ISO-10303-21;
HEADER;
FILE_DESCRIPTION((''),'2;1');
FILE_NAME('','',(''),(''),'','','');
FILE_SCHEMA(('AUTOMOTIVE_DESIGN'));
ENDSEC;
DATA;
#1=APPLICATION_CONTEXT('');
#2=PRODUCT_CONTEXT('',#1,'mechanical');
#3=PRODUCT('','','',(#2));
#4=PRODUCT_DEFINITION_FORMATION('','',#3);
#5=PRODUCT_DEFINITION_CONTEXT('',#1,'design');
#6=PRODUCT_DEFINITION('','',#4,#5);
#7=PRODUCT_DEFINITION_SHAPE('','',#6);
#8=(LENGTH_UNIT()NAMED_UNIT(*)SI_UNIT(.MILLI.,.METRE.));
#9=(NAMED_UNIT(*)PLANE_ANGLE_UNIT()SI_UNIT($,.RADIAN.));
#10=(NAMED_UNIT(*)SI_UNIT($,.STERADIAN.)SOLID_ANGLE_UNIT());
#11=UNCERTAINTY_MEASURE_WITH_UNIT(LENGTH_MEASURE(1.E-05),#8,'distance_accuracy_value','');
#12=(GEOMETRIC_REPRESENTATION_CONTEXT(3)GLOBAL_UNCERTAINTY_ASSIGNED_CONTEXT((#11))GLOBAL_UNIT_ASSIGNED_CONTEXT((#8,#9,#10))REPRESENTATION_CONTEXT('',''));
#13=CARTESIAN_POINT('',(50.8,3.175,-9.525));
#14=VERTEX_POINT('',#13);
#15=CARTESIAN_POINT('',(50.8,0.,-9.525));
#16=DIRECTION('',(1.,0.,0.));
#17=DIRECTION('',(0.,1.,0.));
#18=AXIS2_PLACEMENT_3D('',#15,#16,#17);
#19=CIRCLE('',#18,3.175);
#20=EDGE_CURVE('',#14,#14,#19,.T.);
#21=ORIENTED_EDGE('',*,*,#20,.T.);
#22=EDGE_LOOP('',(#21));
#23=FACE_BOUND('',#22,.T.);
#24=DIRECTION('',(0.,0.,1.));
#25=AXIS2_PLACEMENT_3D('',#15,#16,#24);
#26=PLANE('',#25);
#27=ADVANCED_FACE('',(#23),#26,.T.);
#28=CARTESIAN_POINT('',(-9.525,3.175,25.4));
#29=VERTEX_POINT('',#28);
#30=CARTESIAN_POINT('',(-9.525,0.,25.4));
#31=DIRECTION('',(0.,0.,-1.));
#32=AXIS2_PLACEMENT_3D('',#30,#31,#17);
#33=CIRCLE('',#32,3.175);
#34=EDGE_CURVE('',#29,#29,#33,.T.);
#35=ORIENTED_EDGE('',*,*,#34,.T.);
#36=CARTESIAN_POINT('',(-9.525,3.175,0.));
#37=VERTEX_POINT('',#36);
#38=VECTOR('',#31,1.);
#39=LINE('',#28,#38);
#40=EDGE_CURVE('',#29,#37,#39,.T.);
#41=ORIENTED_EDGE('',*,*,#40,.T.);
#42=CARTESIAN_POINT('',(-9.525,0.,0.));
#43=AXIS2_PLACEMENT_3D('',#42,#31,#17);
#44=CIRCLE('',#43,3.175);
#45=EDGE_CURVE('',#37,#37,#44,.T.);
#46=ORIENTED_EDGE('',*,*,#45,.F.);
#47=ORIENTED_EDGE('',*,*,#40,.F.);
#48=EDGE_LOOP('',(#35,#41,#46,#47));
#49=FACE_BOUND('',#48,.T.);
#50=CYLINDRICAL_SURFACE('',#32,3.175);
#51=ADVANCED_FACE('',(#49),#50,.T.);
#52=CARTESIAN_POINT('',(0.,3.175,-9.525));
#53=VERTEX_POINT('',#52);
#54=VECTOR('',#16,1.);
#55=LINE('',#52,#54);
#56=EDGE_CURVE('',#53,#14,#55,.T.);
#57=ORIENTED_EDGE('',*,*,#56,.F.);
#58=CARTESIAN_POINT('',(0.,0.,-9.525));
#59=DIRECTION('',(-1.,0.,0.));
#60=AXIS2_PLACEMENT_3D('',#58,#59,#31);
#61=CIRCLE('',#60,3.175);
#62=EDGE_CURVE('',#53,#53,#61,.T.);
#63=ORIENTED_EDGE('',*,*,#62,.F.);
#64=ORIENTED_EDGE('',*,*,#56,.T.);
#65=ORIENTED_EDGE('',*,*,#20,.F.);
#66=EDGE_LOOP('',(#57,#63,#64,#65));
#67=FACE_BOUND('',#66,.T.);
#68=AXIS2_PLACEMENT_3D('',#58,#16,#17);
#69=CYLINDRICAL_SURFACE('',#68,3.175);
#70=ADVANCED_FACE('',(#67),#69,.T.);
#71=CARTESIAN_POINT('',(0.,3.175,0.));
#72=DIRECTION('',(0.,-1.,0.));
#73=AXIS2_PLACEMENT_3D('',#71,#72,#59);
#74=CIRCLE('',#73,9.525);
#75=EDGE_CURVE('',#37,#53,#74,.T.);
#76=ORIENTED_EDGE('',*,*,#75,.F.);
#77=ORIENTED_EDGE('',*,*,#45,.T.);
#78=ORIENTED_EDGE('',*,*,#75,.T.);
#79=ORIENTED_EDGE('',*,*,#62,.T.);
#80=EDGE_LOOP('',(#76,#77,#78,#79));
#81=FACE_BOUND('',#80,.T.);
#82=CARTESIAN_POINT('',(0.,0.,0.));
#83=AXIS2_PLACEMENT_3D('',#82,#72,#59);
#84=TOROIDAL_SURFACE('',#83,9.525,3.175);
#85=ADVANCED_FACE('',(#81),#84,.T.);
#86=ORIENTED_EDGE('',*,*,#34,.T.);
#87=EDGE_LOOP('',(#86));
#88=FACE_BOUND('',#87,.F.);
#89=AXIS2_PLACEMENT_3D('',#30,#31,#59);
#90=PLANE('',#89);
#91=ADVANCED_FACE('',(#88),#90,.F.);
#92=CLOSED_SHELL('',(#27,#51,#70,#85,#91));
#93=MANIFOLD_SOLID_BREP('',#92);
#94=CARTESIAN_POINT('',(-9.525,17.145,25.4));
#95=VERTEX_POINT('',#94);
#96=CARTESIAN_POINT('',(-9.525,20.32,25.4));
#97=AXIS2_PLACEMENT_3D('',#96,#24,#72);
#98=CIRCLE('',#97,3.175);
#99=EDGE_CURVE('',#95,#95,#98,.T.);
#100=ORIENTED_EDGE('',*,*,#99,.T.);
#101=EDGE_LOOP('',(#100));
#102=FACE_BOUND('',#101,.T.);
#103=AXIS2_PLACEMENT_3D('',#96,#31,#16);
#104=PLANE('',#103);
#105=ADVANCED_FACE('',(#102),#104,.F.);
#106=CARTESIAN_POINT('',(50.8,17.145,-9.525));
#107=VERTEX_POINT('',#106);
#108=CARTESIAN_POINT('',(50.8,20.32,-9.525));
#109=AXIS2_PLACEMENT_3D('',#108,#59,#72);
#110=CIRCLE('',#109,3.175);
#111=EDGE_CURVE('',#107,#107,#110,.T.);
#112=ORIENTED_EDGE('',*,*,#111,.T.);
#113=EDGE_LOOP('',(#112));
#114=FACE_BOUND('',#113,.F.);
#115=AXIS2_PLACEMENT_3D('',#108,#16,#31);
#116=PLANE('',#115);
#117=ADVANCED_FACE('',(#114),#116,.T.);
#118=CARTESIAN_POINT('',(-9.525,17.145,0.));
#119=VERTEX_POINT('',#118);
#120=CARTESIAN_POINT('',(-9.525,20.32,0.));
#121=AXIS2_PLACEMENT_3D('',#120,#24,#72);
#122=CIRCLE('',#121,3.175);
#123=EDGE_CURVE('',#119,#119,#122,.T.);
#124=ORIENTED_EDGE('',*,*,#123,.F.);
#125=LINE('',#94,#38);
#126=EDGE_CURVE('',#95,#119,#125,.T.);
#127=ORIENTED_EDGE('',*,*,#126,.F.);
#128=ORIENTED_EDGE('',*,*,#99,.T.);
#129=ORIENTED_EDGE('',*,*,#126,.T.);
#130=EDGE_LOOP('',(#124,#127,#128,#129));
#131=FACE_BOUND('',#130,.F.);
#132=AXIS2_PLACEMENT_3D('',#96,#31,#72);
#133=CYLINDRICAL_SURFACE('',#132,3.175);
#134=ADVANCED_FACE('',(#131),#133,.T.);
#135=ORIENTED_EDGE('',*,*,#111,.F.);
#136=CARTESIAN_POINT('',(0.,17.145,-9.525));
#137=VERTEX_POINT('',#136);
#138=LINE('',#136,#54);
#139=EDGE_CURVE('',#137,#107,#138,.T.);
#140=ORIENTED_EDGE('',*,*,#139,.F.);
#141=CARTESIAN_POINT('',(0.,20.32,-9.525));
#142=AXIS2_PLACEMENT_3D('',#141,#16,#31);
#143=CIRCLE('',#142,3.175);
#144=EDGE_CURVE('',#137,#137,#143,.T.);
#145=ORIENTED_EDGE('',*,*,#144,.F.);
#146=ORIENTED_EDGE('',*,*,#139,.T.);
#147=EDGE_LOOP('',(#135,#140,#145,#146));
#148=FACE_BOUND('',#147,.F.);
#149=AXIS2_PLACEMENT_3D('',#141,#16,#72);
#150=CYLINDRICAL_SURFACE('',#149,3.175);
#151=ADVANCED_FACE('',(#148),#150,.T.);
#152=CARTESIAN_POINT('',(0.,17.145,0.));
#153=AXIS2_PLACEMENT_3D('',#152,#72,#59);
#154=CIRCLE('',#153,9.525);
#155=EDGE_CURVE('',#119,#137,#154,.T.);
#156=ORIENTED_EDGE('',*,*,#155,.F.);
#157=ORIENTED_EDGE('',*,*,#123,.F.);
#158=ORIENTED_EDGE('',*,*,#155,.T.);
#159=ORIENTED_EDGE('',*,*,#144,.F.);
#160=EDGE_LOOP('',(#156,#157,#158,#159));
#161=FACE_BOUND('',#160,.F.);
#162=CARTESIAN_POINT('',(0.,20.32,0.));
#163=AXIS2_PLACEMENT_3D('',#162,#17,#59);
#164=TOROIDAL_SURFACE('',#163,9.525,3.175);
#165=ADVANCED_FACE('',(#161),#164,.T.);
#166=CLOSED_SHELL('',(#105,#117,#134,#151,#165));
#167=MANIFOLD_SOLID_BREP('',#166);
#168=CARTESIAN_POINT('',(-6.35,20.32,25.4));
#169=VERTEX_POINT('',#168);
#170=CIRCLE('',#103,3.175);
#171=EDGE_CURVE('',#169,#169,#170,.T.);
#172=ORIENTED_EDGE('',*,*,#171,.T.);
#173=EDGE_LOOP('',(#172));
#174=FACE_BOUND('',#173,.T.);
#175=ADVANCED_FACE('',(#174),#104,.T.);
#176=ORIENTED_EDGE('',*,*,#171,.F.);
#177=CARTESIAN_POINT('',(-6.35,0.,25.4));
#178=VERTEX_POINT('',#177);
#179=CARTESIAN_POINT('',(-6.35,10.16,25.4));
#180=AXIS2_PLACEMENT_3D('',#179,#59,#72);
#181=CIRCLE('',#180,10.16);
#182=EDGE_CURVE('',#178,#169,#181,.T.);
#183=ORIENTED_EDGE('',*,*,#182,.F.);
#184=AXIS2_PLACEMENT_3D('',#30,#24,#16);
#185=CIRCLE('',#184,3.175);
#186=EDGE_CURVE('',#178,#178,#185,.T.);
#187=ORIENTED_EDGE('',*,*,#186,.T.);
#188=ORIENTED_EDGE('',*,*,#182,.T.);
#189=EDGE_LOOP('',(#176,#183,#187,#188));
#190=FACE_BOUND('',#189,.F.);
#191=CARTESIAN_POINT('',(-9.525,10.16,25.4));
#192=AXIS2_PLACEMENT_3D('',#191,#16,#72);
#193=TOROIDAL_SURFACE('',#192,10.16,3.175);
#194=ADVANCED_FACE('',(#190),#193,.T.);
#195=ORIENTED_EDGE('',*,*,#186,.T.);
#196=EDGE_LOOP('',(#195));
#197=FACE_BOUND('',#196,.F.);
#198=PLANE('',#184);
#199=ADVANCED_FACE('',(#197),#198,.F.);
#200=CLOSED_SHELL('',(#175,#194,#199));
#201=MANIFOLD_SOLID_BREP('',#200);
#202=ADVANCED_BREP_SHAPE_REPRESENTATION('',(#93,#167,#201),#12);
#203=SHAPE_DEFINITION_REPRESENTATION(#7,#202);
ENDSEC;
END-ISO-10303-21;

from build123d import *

# Parameters (mm, degrees)
F2_R     = 3.175
F6_R     = 3.175
F7_ANGLE = 180


with BuildPart() as f3:
    # F3: sweep along a path in F0
    with BuildLine(Plane.XZ) as f3_path:
        Line((-9.525, 25.4), (-9.525, 0))
        ThreePointArc((-9.525, 0), (-6.7351920908, -6.7351920908), (0, -9.525))
        Line((0, -9.525), (50.8, -9.525))
    # F2 (on plane+point) → F3 (sweep)
    with BuildSketch(Plane.YZ.offset(50.8)):
        with Locations((0, -9.525)):
            Circle(F2_R)
    sweep(path=f3_path.line)


with BuildPart() as f5_1:
    # F5: instance of F3
    add(f3.part.mirror(Plane.XZ.offset(-10.16)))


with BuildPart() as f7:
    # F6 (on face) → F7 (revolve)
    with BuildSketch(Plane.XY.offset(25.4)):
        with Locations((-9.525, 0)):
            Circle(F6_R)
    revolve(axis=Axis((-28.8036, 10.16, 25.4), (-1, 0, 0)), revolution_arc=F7_ANGLE)


solid = Compound([f3.part, f5_1.part, f7.part])
